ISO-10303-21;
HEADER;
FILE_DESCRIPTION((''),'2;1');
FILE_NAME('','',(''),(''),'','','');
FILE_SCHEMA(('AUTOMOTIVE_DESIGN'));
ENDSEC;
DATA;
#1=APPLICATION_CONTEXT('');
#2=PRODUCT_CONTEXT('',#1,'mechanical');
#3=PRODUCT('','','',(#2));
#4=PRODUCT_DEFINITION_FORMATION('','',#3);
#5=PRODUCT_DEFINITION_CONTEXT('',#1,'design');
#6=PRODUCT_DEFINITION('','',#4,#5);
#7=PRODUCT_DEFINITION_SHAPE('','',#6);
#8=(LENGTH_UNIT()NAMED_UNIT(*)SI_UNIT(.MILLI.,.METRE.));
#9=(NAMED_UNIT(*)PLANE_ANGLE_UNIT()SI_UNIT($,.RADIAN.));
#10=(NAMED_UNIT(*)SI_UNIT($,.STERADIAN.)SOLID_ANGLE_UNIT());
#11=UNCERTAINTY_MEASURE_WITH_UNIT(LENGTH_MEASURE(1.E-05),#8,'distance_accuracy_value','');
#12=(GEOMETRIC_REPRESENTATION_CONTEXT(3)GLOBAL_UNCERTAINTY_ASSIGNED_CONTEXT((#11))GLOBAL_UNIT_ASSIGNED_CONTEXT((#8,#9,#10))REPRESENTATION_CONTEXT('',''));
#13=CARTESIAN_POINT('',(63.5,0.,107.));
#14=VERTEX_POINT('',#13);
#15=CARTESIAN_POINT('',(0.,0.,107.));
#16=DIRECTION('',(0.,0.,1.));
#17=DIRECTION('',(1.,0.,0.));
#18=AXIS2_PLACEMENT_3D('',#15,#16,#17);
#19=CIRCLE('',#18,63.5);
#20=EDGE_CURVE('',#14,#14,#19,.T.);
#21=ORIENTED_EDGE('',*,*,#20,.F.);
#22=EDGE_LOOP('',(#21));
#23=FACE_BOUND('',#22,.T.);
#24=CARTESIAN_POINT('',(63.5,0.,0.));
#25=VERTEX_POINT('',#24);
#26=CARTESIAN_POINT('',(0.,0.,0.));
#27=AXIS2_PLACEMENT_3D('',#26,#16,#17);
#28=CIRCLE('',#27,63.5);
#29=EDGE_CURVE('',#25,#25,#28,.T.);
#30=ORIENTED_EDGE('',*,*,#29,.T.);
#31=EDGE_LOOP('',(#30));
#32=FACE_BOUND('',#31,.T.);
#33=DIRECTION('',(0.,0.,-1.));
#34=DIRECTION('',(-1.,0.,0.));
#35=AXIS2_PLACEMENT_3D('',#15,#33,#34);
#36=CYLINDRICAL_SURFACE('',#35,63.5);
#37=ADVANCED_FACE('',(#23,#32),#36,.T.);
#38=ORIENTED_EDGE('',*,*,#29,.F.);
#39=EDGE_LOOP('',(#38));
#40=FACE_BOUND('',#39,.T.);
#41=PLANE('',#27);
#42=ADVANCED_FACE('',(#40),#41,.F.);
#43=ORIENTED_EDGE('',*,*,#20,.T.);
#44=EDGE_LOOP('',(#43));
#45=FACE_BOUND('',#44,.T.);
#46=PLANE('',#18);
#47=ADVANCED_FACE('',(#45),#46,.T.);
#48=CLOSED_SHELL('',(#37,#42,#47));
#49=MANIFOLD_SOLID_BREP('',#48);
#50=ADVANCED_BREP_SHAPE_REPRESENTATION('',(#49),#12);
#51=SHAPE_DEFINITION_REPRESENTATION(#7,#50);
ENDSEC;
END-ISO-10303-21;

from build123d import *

# Parameters (mm, degrees)
SKETCH1_R           = 63.5
BOSS_EXTRUDE1_DEPTH = 107


with BuildPart() as part:
    # Sketch1 → Boss-Extrude1 (new body)
    with BuildSketch(Plane.XY):
        Circle(SKETCH1_R)
    extrude(amount=BOSS_EXTRUDE1_DEPTH)


solid = part.part
